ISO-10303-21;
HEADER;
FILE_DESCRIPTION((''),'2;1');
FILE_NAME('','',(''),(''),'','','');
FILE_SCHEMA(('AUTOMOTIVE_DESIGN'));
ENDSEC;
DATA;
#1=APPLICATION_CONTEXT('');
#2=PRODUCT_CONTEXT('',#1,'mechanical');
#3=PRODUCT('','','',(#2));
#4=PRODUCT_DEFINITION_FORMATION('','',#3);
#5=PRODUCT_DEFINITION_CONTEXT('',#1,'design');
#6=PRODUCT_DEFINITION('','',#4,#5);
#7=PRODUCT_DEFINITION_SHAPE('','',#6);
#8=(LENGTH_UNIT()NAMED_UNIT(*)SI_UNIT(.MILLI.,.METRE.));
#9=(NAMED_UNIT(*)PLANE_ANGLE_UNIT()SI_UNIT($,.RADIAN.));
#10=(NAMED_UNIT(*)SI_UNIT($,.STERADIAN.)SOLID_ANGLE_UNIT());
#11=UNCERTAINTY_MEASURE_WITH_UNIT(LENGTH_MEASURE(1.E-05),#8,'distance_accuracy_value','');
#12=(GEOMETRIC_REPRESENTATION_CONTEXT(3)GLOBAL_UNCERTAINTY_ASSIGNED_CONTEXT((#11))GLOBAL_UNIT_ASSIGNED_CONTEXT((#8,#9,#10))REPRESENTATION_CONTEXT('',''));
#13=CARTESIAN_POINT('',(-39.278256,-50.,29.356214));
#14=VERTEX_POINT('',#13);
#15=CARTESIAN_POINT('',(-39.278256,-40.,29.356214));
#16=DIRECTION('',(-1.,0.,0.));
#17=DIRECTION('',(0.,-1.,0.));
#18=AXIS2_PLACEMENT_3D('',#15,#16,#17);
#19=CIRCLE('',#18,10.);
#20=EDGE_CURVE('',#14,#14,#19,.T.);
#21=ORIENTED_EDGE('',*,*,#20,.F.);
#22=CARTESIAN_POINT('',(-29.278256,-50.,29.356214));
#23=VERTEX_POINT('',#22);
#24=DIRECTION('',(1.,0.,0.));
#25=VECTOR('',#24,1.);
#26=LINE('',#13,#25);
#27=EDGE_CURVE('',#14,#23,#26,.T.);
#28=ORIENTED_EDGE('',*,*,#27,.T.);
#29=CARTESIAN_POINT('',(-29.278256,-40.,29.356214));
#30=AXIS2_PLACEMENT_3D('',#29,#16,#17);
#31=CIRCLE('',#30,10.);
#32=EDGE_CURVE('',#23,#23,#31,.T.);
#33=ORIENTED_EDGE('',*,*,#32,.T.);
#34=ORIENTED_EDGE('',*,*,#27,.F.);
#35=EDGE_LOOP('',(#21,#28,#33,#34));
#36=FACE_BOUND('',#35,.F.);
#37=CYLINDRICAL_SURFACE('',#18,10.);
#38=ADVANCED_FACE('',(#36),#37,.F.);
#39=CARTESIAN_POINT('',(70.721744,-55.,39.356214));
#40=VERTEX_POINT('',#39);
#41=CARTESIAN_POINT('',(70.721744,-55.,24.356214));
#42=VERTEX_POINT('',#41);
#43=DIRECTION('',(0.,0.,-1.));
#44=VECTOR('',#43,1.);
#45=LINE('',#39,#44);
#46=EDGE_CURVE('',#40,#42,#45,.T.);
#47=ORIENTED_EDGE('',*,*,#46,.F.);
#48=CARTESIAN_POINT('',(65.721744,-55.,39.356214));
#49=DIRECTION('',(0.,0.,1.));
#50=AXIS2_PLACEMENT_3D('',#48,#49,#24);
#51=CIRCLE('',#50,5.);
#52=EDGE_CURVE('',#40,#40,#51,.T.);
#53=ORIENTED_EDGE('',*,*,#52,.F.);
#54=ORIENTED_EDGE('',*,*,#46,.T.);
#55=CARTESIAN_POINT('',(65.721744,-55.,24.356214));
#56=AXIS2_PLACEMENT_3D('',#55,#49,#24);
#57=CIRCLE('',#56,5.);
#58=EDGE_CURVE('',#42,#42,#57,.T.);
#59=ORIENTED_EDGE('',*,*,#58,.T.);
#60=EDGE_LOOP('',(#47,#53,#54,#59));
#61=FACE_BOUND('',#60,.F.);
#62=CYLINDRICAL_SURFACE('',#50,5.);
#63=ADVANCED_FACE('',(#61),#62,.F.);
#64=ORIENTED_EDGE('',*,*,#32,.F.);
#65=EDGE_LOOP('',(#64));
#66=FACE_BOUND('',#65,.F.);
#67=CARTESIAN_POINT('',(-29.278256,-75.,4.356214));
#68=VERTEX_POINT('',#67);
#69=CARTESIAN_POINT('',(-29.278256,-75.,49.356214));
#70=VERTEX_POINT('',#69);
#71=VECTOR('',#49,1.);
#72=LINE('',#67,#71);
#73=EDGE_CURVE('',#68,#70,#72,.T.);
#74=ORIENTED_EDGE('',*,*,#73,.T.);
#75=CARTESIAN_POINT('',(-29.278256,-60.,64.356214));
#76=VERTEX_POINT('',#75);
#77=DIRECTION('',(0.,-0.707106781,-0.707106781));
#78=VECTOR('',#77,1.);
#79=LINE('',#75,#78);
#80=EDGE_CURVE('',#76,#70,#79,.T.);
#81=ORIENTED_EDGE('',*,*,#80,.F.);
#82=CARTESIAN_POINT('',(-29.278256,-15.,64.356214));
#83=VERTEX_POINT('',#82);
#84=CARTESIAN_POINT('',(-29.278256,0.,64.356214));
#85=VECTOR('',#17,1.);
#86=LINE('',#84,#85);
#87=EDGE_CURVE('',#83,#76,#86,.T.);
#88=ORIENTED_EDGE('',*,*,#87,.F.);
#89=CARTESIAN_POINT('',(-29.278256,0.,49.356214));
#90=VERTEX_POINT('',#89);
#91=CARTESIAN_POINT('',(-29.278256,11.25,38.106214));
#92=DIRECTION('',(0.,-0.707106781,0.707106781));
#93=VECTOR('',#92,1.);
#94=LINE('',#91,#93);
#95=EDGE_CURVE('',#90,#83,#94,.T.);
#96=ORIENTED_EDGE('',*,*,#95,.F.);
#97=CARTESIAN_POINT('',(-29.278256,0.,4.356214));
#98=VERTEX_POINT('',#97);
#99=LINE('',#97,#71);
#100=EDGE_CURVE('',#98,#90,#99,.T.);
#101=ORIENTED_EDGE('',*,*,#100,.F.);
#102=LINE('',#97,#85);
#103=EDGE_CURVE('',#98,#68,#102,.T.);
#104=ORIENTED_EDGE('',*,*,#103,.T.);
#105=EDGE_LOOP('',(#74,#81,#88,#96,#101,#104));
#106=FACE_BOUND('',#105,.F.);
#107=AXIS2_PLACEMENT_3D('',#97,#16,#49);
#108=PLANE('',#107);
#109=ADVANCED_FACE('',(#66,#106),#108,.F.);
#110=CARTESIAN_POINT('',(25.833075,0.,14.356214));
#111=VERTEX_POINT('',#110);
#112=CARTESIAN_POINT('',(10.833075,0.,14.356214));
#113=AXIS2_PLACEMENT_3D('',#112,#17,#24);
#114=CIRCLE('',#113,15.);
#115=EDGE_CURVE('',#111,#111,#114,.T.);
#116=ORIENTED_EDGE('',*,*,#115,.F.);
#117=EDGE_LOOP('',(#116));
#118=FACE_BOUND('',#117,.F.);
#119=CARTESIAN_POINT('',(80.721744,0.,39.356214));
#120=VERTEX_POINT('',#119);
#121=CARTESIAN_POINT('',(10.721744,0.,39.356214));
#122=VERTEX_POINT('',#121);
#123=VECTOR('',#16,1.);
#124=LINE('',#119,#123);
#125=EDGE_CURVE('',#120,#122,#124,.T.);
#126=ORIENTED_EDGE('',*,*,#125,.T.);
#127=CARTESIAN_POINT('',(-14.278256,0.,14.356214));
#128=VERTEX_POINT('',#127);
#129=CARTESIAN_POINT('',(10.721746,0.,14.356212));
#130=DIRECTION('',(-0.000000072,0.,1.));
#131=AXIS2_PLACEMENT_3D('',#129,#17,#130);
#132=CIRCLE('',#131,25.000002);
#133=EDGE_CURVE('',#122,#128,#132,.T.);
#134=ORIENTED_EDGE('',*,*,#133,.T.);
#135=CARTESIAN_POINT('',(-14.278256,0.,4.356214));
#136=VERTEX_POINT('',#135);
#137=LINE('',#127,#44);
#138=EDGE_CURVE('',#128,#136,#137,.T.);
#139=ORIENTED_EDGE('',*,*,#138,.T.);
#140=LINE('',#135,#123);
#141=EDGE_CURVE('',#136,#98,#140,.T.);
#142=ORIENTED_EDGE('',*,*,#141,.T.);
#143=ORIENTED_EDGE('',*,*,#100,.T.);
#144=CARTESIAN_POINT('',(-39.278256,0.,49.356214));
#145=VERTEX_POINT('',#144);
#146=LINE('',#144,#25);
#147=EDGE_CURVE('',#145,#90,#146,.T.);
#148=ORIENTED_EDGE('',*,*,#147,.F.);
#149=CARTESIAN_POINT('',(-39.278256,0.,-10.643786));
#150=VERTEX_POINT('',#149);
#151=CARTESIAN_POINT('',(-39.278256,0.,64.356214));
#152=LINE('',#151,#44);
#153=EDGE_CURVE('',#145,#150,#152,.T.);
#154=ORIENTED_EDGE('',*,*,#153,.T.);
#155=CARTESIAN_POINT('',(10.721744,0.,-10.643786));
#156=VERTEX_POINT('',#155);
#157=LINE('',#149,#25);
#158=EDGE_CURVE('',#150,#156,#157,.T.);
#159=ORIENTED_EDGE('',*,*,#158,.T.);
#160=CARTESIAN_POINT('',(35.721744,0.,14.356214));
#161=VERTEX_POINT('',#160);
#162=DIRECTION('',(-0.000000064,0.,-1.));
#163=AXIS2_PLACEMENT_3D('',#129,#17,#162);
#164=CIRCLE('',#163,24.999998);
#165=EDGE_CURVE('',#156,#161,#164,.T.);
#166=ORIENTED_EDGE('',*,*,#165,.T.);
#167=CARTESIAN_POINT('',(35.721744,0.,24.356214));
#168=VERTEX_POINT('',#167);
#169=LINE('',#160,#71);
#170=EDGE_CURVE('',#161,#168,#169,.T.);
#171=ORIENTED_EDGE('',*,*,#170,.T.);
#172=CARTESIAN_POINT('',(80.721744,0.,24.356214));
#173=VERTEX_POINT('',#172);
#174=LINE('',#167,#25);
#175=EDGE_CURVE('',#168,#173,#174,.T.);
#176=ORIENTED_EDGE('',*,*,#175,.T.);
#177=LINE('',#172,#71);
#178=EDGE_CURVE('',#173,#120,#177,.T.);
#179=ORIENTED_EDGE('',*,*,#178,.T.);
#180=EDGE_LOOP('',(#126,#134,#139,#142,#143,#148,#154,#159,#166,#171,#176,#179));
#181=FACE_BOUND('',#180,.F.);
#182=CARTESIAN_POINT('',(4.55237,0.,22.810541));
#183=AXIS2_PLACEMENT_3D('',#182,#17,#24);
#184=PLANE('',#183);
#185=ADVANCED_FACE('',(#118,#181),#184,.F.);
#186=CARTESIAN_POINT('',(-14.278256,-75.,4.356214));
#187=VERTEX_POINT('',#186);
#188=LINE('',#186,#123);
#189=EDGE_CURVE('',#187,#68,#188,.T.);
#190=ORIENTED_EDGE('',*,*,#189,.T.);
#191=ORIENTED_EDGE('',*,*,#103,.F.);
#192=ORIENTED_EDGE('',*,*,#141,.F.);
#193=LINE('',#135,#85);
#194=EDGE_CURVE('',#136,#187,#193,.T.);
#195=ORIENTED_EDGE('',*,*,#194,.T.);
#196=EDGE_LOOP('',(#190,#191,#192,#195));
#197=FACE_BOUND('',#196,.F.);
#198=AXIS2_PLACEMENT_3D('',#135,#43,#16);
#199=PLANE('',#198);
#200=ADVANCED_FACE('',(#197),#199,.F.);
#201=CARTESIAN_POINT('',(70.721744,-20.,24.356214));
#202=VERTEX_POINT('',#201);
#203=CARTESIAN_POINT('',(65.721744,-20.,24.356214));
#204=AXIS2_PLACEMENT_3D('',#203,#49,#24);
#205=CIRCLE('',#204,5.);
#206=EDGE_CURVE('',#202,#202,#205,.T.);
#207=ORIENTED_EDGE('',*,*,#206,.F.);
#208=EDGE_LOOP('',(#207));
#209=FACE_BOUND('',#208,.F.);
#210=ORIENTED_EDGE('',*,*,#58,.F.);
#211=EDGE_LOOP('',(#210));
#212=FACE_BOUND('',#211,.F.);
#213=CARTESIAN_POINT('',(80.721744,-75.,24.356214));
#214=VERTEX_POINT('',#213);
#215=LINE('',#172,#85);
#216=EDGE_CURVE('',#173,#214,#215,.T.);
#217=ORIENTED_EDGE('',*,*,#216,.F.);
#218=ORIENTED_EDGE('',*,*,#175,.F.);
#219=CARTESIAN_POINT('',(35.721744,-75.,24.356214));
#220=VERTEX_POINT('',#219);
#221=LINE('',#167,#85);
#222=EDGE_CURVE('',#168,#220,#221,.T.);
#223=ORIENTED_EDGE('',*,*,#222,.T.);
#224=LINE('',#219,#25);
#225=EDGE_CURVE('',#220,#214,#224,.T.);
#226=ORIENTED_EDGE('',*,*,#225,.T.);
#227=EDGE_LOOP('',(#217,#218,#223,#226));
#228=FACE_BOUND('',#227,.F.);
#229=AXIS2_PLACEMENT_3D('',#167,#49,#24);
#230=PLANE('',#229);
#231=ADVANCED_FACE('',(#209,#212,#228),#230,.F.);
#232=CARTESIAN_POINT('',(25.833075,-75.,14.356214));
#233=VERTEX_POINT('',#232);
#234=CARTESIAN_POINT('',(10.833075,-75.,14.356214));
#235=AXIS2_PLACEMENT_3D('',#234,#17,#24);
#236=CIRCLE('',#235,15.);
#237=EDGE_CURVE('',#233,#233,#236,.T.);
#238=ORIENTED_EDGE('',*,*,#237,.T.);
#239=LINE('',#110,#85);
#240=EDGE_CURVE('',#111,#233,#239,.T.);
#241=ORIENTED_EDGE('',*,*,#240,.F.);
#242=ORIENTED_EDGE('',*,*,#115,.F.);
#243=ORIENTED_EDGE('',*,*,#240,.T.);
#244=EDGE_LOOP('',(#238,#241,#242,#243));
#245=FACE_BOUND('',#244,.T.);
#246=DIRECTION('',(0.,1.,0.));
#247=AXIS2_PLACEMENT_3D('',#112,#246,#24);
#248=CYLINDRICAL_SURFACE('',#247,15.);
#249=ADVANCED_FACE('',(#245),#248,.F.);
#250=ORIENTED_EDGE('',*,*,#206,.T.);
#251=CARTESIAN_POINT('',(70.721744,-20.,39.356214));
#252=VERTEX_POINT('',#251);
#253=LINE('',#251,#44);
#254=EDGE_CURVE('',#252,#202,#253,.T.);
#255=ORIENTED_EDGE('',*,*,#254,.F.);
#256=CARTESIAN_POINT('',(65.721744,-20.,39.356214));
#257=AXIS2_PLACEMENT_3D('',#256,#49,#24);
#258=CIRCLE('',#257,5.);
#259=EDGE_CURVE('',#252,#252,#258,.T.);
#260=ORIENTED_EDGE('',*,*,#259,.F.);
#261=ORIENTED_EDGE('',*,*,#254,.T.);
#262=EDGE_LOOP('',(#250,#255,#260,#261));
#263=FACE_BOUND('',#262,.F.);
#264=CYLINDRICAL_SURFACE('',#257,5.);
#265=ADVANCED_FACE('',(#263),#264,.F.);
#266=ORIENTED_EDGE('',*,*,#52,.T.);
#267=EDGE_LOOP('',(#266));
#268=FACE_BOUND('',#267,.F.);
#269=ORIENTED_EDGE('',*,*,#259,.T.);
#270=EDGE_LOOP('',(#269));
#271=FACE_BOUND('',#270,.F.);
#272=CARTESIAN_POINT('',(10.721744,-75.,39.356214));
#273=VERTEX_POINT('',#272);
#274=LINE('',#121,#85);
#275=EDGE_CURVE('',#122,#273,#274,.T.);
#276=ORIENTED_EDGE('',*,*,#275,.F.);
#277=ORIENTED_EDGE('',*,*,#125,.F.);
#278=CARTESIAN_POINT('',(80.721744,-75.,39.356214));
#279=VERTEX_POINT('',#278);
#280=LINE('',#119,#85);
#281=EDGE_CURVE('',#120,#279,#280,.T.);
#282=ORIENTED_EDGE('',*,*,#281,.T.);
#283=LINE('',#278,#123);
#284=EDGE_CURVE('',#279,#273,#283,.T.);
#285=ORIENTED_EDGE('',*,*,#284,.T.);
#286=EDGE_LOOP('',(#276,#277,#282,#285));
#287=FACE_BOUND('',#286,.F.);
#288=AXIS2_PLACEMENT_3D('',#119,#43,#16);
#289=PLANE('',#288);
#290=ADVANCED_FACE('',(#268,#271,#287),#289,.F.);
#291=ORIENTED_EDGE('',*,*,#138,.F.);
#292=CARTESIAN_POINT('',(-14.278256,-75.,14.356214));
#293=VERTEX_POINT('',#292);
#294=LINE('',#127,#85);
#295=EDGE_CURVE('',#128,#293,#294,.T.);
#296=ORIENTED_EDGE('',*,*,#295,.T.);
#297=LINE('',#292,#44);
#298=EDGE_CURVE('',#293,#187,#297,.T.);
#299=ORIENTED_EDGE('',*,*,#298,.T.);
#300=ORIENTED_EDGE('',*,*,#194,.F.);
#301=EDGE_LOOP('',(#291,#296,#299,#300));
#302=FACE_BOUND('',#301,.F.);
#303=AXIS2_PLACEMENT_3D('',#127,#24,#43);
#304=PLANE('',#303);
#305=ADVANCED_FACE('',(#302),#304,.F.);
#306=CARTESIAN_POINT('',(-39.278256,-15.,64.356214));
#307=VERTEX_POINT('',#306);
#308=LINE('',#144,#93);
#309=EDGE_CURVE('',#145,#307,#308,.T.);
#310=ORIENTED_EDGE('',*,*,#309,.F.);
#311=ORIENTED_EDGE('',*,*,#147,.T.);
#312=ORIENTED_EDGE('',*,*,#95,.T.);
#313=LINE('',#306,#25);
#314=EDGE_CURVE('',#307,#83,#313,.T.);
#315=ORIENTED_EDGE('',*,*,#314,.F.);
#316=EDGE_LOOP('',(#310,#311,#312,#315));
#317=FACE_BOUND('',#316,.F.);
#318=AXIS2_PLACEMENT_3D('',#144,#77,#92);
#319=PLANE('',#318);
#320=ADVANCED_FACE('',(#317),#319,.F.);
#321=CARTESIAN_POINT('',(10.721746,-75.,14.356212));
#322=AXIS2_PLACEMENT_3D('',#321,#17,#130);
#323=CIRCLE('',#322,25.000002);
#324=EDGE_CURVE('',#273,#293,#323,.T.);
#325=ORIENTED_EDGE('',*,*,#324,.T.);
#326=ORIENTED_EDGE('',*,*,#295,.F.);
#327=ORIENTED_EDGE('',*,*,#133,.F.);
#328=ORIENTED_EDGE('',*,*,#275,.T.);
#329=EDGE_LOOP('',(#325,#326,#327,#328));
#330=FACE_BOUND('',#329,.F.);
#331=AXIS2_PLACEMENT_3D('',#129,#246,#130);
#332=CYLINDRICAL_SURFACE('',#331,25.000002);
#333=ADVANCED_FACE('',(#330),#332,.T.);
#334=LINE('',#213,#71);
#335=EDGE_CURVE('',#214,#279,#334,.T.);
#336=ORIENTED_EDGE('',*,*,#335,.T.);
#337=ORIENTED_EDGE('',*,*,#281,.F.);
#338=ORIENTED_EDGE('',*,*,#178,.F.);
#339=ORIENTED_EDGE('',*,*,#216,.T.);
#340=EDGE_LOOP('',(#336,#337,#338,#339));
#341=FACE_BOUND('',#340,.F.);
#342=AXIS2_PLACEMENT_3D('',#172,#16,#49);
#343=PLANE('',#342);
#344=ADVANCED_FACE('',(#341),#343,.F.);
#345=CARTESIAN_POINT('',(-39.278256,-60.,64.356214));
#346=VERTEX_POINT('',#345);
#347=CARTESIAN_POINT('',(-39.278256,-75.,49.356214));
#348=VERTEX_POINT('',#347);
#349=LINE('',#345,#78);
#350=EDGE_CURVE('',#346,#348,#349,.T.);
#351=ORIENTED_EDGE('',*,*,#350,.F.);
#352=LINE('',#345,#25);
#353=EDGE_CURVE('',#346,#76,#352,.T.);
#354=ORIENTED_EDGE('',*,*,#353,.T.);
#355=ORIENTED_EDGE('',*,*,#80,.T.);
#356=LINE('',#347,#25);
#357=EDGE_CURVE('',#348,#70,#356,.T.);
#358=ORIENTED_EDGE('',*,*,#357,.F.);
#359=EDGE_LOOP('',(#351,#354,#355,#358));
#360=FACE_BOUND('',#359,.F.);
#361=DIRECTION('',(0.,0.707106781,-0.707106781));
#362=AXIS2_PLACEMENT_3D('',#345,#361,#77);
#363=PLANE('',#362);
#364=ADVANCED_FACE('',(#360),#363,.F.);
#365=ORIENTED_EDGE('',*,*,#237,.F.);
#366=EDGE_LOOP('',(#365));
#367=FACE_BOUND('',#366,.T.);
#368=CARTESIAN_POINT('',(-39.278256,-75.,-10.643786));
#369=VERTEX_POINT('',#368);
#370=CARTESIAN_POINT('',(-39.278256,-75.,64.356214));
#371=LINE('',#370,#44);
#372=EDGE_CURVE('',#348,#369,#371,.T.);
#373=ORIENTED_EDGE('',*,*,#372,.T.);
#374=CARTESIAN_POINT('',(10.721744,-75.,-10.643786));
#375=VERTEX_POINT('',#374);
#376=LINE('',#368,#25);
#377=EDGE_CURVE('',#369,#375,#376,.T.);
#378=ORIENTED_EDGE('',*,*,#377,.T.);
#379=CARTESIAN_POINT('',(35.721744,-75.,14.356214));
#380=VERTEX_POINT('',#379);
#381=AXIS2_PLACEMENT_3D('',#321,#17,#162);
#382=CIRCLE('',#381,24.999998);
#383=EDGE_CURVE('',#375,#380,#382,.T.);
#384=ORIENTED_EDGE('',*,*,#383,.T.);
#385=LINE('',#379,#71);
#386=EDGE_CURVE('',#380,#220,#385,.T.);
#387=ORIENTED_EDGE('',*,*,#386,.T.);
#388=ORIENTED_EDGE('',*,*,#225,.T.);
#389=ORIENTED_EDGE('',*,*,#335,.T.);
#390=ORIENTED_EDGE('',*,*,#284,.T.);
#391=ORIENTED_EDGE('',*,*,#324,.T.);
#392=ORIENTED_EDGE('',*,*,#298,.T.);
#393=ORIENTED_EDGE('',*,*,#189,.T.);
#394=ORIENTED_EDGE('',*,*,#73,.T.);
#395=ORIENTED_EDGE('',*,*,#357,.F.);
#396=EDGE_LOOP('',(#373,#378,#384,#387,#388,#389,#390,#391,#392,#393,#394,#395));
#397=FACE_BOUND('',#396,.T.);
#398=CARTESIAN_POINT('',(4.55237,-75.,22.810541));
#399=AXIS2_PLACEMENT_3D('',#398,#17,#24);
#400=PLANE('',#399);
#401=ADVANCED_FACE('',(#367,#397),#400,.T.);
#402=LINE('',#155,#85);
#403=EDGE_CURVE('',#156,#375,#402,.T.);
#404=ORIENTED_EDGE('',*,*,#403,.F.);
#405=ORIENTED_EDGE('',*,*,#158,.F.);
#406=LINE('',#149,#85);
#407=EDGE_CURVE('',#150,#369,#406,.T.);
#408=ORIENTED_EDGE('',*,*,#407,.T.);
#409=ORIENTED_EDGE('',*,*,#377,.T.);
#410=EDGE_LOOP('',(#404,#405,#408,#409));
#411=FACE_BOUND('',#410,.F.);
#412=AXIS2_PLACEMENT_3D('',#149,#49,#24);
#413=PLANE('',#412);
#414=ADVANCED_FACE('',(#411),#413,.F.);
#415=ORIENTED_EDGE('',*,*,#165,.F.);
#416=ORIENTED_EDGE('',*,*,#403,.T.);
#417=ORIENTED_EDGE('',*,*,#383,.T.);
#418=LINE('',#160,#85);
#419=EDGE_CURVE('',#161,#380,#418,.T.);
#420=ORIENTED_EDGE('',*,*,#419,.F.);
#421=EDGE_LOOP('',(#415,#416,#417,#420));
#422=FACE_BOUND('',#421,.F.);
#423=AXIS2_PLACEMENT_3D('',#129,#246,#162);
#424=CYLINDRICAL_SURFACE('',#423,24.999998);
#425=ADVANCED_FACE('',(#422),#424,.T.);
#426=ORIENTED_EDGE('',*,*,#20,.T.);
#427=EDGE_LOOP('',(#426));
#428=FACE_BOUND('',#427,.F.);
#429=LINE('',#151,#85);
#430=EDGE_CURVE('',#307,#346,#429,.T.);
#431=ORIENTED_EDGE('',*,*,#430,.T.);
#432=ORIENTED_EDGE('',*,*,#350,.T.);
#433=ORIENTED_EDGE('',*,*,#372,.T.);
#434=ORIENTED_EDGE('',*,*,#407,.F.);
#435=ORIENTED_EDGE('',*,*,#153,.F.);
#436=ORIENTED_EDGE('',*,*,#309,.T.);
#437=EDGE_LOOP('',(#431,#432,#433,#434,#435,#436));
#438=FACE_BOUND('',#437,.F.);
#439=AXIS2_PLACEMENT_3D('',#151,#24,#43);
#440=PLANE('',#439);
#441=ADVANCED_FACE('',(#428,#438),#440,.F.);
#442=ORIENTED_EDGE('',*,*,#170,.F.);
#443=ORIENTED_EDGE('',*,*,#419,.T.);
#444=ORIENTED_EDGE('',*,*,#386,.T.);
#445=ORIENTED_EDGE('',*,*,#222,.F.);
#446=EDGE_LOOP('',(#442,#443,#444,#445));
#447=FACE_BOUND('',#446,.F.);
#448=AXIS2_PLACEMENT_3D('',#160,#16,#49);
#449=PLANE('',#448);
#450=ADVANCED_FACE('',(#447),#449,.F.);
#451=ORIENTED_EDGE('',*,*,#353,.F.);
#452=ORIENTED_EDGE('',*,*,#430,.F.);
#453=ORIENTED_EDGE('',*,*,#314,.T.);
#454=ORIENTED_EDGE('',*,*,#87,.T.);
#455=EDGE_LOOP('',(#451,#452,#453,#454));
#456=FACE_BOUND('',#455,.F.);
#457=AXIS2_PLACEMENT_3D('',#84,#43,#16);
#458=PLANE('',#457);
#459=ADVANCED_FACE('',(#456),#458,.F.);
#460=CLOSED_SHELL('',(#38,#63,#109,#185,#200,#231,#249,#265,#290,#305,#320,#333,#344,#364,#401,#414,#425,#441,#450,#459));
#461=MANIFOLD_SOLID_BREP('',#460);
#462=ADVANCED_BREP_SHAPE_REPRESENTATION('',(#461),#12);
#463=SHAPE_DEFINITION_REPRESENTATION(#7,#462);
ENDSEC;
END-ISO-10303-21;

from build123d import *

# Parameters (mm, degrees)
F0_R     = 15
F1_DEPTH = 75
F2_R     = 5
F3_DEPTH = 25
F4_R     = 10
F5_DEPTH = 25


with BuildPart() as f1:
    # F0 (on Front) → F1 (new body)
    with BuildSketch(Plane.XZ):
        with BuildLine():
            Line((80.721744, 24.356214), (80.721744, 39.356214))
            Line((80.721744, 39.356214), (10.721744, 39.356214))
            ThreePointArc((10.721744, 39.356214), (-6.955925, 32.033883), (-14.278256, 14.356214))
            Line((-14.278256, 14.356214), (-14.278256, 4.356214))
            Line((-14.278256, 4.356214), (-29.278256, 4.356214))
            Line((-29.278256, 4.356214), (-29.278256, 64.356214))
            Line((-29.278256, 64.356214), (-39.278256, 64.356214))
            Line((-39.278256, 64.356214), (-39.278256, -10.643786))
            Line((-39.278256, -10.643786), (10.721744, -10.643786))
            ThreePointArc((10.721744, -10.643786), (28.399414, -3.321456), (35.721744, 14.356214))
            Line((35.721744, 14.356214), (35.721744, 24.356214))
            Line((35.721744, 24.356214), (80.721744, 24.356214))
        make_face()
        with Locations((10.833075, 14.356214)):
            Circle(F0_R, mode=Mode.SUBTRACT)
    extrude(amount=F1_DEPTH)

    # F2 (on face) → F3 (cut)
    with BuildSketch(Plane.XY.offset(39.356214)):
        with Locations((65.721744, -20)):
            Circle(F2_R)
        with Locations((65.721744, -55)):
            Circle(F2_R)
    extrude(amount=-F3_DEPTH, mode=Mode.SUBTRACT)

    # F4 (on face) → F5 (cut)
    with BuildSketch(Plane(origin=(-39.278256, 0, 0), x_dir=(0, -1, 0), z_dir=(-1, 0, 0))):
        Polygon((0, 49.356214), (15, 64.356214), (0, 64.356214), align=None)
        Polygon((75, 64.356214), (60, 64.356214), (75, 49.356214), align=None)
        with Locations((40, 29.356214)):
            Circle(F4_R)
    extrude(amount=-F5_DEPTH, mode=Mode.SUBTRACT)


solid = f1.part
